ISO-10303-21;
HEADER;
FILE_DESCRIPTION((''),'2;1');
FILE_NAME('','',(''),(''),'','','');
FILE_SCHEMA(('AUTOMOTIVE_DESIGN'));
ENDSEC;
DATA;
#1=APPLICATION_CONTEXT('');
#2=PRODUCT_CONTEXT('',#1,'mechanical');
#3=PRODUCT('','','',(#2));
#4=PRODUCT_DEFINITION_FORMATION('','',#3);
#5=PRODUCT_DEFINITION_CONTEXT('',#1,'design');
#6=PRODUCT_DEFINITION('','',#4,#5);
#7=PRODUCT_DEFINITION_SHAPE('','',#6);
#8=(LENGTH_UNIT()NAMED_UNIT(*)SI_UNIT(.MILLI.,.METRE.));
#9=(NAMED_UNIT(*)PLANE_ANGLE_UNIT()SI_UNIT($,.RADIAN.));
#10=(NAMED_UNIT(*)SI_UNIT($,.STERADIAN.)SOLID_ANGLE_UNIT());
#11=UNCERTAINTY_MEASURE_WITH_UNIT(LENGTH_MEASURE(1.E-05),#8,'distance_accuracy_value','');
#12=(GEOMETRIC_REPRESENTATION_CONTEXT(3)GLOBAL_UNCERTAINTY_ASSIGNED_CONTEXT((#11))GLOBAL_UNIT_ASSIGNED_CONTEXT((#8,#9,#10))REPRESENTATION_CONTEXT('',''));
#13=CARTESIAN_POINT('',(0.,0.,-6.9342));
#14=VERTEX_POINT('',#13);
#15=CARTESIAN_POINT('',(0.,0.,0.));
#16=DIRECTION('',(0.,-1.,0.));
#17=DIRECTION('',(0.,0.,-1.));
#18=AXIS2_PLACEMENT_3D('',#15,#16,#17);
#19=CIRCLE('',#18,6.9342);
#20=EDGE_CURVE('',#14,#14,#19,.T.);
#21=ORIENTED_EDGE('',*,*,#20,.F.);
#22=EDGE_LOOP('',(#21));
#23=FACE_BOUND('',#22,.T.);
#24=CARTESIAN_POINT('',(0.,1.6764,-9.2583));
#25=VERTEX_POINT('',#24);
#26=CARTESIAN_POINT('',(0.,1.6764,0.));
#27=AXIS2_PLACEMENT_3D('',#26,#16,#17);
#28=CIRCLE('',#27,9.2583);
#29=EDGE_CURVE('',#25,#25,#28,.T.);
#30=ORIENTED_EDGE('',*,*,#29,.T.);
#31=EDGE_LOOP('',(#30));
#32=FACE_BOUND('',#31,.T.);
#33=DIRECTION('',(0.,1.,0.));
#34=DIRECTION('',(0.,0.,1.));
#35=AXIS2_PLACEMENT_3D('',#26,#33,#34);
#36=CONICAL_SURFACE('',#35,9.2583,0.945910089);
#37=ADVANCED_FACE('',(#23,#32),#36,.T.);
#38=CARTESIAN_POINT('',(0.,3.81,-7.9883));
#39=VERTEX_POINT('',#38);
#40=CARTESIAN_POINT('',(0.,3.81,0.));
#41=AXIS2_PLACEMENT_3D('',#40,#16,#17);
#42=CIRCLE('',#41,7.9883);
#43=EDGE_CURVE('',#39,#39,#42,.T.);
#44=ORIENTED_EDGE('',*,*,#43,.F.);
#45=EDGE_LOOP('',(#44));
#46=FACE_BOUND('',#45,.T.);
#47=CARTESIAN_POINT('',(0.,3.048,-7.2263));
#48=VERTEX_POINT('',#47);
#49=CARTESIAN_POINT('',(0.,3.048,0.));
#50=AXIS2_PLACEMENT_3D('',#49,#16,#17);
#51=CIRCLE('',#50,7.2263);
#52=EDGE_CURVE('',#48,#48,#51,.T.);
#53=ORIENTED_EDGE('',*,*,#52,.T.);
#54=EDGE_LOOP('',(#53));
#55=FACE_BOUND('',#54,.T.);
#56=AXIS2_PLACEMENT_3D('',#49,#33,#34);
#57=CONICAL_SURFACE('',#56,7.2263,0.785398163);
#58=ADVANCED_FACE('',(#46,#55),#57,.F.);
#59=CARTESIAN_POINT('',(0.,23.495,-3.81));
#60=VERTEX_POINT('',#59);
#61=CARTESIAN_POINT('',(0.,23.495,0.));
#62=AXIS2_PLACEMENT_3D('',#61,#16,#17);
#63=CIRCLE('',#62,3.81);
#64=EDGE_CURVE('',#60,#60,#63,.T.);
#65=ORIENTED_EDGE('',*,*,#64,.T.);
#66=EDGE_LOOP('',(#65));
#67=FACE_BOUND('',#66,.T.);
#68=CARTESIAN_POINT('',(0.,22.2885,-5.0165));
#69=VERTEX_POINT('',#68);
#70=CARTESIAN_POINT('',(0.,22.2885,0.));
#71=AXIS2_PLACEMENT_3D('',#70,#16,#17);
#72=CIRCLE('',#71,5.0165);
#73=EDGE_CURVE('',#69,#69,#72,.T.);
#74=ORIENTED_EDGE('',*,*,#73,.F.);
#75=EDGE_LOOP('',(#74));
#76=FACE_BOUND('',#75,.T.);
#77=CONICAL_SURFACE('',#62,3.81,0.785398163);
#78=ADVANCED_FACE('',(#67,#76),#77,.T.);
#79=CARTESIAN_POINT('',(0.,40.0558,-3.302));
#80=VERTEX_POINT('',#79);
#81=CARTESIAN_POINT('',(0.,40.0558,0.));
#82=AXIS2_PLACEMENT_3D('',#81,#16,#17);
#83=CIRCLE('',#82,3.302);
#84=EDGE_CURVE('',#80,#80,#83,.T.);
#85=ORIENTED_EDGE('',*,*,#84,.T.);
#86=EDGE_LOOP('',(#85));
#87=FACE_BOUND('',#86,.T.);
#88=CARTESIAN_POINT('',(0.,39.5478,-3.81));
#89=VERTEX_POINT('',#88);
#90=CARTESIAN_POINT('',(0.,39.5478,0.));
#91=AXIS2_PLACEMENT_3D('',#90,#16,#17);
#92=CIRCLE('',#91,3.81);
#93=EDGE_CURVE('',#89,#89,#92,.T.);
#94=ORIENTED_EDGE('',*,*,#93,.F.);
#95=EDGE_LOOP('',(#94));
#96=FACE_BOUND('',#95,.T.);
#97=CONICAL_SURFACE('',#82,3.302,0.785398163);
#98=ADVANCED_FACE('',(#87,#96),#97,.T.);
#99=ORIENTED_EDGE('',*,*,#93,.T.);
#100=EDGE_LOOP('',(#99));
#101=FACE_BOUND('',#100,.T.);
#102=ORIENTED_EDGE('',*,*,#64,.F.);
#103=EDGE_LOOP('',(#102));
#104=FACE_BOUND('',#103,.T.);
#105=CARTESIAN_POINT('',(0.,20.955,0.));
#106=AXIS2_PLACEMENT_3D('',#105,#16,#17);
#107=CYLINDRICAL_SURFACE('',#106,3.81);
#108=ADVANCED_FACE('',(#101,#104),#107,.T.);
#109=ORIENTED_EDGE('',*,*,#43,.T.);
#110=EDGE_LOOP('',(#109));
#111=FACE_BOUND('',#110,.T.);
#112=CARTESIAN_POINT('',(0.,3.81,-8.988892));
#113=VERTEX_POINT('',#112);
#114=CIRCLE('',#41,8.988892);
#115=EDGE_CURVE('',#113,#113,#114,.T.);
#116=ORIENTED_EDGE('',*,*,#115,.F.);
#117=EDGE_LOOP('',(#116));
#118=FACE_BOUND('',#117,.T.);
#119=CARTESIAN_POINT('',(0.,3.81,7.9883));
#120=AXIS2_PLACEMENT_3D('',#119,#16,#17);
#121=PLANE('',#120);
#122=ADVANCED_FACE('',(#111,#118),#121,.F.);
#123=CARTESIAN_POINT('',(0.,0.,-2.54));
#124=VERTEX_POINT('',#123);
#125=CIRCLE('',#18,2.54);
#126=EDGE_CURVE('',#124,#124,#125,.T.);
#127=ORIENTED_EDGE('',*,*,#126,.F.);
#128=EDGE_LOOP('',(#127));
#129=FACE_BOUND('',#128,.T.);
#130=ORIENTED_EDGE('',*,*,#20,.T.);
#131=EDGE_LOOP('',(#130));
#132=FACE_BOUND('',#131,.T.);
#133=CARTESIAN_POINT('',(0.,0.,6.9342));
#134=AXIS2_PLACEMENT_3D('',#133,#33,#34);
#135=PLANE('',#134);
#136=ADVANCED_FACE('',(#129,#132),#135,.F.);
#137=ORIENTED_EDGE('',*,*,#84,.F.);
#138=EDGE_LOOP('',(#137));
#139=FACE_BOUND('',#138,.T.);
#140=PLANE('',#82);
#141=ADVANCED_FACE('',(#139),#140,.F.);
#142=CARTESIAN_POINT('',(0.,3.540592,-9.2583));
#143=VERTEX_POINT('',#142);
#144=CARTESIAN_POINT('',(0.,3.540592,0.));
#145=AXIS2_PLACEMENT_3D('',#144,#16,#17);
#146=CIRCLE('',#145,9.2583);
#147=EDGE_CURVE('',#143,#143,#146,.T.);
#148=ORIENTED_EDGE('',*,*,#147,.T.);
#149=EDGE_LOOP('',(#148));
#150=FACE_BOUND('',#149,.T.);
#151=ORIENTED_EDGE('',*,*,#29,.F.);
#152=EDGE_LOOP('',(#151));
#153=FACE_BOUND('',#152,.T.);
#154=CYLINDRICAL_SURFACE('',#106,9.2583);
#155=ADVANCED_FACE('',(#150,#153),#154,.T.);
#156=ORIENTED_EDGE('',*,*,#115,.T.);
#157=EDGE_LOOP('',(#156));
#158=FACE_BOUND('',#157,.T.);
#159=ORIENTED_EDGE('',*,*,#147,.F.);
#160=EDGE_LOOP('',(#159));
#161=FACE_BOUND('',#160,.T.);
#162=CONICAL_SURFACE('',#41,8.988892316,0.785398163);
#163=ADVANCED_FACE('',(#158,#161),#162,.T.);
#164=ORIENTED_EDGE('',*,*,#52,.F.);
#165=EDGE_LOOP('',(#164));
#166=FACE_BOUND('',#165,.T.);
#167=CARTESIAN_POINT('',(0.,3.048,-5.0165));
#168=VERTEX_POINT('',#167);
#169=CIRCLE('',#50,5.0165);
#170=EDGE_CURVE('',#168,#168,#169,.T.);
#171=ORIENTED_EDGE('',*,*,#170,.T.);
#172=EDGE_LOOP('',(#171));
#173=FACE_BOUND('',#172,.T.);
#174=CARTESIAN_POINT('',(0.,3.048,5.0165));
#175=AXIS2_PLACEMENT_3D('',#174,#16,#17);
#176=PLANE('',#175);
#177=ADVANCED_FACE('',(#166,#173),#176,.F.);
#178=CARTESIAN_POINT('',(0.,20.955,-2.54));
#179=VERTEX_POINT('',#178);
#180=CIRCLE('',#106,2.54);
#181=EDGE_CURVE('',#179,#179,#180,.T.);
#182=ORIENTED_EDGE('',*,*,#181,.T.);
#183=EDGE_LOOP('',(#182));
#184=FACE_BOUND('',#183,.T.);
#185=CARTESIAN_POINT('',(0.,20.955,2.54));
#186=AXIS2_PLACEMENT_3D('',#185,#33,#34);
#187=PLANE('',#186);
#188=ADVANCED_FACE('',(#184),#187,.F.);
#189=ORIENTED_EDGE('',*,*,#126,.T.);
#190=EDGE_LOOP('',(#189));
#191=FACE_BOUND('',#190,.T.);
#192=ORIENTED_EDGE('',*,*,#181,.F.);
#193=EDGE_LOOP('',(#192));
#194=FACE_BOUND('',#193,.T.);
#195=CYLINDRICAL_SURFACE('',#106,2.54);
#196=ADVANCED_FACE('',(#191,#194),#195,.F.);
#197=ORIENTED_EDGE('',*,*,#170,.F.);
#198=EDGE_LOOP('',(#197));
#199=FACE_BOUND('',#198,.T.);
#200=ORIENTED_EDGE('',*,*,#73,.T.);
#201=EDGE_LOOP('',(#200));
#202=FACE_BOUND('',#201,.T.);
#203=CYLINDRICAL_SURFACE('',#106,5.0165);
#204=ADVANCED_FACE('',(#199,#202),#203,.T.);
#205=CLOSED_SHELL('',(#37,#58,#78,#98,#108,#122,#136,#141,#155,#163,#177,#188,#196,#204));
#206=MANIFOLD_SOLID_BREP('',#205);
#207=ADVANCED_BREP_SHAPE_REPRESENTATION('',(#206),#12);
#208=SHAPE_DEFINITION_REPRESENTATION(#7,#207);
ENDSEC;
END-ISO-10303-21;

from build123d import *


with BuildPart() as part:
    # Sketch2 → Revolve1 (revolve)
    with BuildSketch(Plane(origin=(0, 0, 0), x_dir=(0, 0, -1), z_dir=(1, 0, 0))):
        Polygon((0, 40.0558), (-3.302, 40.0558), (-3.81, 39.5478), (-3.81, 23.495), (-5.0165, 22.2885), (-5.0165, 3.048), (-7.2263, 3.048), (-7.9883, 3.81), (-8.988892316, 3.81), (-9.2583, 3.540592316), (-9.2583, 1.6764), (-6.9342, 0), (-2.54, 0), (-2.54, 20.955), (0, 20.955), align=None)
    revolve(axis=Axis((0, 20.955, 0), (0, 1, 0)))


solid = part.part
